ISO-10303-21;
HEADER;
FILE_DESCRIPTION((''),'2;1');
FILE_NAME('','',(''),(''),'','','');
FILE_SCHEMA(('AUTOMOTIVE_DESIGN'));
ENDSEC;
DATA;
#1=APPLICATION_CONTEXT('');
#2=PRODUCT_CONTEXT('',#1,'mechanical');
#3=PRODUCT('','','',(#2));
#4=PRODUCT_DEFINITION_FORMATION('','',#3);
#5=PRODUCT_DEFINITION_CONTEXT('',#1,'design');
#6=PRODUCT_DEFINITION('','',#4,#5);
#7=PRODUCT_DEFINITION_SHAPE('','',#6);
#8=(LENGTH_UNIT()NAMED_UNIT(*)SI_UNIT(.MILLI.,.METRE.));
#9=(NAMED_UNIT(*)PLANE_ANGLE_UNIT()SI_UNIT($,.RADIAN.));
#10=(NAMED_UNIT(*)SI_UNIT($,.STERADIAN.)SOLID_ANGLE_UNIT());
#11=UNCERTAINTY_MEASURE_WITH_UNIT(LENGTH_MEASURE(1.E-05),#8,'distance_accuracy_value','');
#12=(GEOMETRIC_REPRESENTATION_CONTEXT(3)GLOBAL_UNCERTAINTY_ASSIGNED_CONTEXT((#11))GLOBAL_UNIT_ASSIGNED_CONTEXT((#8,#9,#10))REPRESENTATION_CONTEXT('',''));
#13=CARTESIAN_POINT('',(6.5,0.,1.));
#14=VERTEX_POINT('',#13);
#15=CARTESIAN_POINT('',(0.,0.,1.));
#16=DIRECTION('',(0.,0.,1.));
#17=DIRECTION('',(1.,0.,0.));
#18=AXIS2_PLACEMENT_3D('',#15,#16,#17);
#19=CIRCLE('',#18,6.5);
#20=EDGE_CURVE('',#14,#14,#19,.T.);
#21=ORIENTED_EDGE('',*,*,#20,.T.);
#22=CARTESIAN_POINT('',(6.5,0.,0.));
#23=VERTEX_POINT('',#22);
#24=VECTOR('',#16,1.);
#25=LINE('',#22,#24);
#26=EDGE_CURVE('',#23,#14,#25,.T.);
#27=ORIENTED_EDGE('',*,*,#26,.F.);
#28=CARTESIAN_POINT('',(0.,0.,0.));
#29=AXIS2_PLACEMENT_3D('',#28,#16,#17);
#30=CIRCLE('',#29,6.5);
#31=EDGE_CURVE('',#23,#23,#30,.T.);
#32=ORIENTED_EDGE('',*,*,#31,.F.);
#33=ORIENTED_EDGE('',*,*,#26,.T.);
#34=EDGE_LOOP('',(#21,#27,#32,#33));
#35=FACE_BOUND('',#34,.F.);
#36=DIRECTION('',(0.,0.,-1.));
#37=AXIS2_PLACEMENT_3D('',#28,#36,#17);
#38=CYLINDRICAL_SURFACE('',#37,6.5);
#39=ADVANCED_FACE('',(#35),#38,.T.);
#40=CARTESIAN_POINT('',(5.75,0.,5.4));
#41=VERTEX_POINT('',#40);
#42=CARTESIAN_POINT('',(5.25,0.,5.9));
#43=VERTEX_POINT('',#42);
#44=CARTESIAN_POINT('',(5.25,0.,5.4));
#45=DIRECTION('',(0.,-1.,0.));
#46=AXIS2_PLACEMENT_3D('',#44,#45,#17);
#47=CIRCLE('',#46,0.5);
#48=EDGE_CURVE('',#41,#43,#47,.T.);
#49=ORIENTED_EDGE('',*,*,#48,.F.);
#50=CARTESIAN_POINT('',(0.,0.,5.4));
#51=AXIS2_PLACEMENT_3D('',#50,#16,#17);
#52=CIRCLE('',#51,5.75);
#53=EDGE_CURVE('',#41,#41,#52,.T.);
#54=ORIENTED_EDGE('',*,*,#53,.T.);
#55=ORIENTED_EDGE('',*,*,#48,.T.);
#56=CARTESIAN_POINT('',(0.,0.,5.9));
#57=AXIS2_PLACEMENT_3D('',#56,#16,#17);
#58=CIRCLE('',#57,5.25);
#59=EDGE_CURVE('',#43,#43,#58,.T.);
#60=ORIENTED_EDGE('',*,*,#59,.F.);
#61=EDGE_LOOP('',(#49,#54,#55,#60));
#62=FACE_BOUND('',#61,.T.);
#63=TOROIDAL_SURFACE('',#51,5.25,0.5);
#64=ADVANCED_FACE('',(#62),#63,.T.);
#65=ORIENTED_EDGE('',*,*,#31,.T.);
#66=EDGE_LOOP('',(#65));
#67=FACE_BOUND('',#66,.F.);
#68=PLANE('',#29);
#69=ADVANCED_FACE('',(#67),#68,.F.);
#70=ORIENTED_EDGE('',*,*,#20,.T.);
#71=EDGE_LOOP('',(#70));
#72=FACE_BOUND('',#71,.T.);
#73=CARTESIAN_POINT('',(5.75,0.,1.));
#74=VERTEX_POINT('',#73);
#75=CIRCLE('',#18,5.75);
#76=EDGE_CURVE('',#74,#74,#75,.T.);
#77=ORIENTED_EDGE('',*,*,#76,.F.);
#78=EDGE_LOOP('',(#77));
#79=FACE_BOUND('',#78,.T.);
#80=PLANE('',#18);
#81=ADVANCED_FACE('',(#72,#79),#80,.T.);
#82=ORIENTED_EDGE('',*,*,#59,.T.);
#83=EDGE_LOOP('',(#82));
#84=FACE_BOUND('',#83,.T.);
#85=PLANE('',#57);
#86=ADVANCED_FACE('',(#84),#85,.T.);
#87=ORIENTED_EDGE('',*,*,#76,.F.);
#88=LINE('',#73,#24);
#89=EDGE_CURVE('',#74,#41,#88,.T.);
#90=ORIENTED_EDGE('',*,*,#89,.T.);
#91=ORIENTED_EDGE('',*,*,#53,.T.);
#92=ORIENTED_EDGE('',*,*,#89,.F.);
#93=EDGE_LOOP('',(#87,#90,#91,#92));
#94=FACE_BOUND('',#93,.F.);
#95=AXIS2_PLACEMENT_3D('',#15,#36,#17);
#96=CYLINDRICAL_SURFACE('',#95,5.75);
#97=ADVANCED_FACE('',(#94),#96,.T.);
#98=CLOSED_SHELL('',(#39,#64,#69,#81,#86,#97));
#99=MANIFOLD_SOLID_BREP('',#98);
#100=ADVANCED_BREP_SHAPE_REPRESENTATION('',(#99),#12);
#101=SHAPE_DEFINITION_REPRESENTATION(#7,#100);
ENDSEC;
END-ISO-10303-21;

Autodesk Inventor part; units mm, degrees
ref_plane "YZ Plane" through (0, 0, 0) normal (1, 0, 0) x (0, 1, 0)
ref_plane "XZ Plane" through (0, 0, 0) normal (0, 1, 0) x (-1, 0, 0)
ref_plane "XY Plane" through (0, 0, 0) normal (0, 0, 1) x (1, 0, 0)
sketch "Sketch1" plane through (0, 0, 0) normal (0, 0, 1) x (1, 0, 0)
  circle A0 centre (0, 0) radius 6.5
  dimension "d0" = 13
extrude "Extrusion1" add sketch "Sketch1" along normal blind 1
sketch "Sketch2" plane through (0, 0, 1) normal (0, 0, 1) x (1, 0, 0)
  circle A0 centre (0, 0) radius 5.75
  dimension "d3" = 11.5
extrude "Extrusion2" add sketch "Sketch2" along normal blind 4.9
fillet "Fillet1" radius 0.5 1 edges at (-5.75, 0, 5.9)
properties part number "Button Head"
